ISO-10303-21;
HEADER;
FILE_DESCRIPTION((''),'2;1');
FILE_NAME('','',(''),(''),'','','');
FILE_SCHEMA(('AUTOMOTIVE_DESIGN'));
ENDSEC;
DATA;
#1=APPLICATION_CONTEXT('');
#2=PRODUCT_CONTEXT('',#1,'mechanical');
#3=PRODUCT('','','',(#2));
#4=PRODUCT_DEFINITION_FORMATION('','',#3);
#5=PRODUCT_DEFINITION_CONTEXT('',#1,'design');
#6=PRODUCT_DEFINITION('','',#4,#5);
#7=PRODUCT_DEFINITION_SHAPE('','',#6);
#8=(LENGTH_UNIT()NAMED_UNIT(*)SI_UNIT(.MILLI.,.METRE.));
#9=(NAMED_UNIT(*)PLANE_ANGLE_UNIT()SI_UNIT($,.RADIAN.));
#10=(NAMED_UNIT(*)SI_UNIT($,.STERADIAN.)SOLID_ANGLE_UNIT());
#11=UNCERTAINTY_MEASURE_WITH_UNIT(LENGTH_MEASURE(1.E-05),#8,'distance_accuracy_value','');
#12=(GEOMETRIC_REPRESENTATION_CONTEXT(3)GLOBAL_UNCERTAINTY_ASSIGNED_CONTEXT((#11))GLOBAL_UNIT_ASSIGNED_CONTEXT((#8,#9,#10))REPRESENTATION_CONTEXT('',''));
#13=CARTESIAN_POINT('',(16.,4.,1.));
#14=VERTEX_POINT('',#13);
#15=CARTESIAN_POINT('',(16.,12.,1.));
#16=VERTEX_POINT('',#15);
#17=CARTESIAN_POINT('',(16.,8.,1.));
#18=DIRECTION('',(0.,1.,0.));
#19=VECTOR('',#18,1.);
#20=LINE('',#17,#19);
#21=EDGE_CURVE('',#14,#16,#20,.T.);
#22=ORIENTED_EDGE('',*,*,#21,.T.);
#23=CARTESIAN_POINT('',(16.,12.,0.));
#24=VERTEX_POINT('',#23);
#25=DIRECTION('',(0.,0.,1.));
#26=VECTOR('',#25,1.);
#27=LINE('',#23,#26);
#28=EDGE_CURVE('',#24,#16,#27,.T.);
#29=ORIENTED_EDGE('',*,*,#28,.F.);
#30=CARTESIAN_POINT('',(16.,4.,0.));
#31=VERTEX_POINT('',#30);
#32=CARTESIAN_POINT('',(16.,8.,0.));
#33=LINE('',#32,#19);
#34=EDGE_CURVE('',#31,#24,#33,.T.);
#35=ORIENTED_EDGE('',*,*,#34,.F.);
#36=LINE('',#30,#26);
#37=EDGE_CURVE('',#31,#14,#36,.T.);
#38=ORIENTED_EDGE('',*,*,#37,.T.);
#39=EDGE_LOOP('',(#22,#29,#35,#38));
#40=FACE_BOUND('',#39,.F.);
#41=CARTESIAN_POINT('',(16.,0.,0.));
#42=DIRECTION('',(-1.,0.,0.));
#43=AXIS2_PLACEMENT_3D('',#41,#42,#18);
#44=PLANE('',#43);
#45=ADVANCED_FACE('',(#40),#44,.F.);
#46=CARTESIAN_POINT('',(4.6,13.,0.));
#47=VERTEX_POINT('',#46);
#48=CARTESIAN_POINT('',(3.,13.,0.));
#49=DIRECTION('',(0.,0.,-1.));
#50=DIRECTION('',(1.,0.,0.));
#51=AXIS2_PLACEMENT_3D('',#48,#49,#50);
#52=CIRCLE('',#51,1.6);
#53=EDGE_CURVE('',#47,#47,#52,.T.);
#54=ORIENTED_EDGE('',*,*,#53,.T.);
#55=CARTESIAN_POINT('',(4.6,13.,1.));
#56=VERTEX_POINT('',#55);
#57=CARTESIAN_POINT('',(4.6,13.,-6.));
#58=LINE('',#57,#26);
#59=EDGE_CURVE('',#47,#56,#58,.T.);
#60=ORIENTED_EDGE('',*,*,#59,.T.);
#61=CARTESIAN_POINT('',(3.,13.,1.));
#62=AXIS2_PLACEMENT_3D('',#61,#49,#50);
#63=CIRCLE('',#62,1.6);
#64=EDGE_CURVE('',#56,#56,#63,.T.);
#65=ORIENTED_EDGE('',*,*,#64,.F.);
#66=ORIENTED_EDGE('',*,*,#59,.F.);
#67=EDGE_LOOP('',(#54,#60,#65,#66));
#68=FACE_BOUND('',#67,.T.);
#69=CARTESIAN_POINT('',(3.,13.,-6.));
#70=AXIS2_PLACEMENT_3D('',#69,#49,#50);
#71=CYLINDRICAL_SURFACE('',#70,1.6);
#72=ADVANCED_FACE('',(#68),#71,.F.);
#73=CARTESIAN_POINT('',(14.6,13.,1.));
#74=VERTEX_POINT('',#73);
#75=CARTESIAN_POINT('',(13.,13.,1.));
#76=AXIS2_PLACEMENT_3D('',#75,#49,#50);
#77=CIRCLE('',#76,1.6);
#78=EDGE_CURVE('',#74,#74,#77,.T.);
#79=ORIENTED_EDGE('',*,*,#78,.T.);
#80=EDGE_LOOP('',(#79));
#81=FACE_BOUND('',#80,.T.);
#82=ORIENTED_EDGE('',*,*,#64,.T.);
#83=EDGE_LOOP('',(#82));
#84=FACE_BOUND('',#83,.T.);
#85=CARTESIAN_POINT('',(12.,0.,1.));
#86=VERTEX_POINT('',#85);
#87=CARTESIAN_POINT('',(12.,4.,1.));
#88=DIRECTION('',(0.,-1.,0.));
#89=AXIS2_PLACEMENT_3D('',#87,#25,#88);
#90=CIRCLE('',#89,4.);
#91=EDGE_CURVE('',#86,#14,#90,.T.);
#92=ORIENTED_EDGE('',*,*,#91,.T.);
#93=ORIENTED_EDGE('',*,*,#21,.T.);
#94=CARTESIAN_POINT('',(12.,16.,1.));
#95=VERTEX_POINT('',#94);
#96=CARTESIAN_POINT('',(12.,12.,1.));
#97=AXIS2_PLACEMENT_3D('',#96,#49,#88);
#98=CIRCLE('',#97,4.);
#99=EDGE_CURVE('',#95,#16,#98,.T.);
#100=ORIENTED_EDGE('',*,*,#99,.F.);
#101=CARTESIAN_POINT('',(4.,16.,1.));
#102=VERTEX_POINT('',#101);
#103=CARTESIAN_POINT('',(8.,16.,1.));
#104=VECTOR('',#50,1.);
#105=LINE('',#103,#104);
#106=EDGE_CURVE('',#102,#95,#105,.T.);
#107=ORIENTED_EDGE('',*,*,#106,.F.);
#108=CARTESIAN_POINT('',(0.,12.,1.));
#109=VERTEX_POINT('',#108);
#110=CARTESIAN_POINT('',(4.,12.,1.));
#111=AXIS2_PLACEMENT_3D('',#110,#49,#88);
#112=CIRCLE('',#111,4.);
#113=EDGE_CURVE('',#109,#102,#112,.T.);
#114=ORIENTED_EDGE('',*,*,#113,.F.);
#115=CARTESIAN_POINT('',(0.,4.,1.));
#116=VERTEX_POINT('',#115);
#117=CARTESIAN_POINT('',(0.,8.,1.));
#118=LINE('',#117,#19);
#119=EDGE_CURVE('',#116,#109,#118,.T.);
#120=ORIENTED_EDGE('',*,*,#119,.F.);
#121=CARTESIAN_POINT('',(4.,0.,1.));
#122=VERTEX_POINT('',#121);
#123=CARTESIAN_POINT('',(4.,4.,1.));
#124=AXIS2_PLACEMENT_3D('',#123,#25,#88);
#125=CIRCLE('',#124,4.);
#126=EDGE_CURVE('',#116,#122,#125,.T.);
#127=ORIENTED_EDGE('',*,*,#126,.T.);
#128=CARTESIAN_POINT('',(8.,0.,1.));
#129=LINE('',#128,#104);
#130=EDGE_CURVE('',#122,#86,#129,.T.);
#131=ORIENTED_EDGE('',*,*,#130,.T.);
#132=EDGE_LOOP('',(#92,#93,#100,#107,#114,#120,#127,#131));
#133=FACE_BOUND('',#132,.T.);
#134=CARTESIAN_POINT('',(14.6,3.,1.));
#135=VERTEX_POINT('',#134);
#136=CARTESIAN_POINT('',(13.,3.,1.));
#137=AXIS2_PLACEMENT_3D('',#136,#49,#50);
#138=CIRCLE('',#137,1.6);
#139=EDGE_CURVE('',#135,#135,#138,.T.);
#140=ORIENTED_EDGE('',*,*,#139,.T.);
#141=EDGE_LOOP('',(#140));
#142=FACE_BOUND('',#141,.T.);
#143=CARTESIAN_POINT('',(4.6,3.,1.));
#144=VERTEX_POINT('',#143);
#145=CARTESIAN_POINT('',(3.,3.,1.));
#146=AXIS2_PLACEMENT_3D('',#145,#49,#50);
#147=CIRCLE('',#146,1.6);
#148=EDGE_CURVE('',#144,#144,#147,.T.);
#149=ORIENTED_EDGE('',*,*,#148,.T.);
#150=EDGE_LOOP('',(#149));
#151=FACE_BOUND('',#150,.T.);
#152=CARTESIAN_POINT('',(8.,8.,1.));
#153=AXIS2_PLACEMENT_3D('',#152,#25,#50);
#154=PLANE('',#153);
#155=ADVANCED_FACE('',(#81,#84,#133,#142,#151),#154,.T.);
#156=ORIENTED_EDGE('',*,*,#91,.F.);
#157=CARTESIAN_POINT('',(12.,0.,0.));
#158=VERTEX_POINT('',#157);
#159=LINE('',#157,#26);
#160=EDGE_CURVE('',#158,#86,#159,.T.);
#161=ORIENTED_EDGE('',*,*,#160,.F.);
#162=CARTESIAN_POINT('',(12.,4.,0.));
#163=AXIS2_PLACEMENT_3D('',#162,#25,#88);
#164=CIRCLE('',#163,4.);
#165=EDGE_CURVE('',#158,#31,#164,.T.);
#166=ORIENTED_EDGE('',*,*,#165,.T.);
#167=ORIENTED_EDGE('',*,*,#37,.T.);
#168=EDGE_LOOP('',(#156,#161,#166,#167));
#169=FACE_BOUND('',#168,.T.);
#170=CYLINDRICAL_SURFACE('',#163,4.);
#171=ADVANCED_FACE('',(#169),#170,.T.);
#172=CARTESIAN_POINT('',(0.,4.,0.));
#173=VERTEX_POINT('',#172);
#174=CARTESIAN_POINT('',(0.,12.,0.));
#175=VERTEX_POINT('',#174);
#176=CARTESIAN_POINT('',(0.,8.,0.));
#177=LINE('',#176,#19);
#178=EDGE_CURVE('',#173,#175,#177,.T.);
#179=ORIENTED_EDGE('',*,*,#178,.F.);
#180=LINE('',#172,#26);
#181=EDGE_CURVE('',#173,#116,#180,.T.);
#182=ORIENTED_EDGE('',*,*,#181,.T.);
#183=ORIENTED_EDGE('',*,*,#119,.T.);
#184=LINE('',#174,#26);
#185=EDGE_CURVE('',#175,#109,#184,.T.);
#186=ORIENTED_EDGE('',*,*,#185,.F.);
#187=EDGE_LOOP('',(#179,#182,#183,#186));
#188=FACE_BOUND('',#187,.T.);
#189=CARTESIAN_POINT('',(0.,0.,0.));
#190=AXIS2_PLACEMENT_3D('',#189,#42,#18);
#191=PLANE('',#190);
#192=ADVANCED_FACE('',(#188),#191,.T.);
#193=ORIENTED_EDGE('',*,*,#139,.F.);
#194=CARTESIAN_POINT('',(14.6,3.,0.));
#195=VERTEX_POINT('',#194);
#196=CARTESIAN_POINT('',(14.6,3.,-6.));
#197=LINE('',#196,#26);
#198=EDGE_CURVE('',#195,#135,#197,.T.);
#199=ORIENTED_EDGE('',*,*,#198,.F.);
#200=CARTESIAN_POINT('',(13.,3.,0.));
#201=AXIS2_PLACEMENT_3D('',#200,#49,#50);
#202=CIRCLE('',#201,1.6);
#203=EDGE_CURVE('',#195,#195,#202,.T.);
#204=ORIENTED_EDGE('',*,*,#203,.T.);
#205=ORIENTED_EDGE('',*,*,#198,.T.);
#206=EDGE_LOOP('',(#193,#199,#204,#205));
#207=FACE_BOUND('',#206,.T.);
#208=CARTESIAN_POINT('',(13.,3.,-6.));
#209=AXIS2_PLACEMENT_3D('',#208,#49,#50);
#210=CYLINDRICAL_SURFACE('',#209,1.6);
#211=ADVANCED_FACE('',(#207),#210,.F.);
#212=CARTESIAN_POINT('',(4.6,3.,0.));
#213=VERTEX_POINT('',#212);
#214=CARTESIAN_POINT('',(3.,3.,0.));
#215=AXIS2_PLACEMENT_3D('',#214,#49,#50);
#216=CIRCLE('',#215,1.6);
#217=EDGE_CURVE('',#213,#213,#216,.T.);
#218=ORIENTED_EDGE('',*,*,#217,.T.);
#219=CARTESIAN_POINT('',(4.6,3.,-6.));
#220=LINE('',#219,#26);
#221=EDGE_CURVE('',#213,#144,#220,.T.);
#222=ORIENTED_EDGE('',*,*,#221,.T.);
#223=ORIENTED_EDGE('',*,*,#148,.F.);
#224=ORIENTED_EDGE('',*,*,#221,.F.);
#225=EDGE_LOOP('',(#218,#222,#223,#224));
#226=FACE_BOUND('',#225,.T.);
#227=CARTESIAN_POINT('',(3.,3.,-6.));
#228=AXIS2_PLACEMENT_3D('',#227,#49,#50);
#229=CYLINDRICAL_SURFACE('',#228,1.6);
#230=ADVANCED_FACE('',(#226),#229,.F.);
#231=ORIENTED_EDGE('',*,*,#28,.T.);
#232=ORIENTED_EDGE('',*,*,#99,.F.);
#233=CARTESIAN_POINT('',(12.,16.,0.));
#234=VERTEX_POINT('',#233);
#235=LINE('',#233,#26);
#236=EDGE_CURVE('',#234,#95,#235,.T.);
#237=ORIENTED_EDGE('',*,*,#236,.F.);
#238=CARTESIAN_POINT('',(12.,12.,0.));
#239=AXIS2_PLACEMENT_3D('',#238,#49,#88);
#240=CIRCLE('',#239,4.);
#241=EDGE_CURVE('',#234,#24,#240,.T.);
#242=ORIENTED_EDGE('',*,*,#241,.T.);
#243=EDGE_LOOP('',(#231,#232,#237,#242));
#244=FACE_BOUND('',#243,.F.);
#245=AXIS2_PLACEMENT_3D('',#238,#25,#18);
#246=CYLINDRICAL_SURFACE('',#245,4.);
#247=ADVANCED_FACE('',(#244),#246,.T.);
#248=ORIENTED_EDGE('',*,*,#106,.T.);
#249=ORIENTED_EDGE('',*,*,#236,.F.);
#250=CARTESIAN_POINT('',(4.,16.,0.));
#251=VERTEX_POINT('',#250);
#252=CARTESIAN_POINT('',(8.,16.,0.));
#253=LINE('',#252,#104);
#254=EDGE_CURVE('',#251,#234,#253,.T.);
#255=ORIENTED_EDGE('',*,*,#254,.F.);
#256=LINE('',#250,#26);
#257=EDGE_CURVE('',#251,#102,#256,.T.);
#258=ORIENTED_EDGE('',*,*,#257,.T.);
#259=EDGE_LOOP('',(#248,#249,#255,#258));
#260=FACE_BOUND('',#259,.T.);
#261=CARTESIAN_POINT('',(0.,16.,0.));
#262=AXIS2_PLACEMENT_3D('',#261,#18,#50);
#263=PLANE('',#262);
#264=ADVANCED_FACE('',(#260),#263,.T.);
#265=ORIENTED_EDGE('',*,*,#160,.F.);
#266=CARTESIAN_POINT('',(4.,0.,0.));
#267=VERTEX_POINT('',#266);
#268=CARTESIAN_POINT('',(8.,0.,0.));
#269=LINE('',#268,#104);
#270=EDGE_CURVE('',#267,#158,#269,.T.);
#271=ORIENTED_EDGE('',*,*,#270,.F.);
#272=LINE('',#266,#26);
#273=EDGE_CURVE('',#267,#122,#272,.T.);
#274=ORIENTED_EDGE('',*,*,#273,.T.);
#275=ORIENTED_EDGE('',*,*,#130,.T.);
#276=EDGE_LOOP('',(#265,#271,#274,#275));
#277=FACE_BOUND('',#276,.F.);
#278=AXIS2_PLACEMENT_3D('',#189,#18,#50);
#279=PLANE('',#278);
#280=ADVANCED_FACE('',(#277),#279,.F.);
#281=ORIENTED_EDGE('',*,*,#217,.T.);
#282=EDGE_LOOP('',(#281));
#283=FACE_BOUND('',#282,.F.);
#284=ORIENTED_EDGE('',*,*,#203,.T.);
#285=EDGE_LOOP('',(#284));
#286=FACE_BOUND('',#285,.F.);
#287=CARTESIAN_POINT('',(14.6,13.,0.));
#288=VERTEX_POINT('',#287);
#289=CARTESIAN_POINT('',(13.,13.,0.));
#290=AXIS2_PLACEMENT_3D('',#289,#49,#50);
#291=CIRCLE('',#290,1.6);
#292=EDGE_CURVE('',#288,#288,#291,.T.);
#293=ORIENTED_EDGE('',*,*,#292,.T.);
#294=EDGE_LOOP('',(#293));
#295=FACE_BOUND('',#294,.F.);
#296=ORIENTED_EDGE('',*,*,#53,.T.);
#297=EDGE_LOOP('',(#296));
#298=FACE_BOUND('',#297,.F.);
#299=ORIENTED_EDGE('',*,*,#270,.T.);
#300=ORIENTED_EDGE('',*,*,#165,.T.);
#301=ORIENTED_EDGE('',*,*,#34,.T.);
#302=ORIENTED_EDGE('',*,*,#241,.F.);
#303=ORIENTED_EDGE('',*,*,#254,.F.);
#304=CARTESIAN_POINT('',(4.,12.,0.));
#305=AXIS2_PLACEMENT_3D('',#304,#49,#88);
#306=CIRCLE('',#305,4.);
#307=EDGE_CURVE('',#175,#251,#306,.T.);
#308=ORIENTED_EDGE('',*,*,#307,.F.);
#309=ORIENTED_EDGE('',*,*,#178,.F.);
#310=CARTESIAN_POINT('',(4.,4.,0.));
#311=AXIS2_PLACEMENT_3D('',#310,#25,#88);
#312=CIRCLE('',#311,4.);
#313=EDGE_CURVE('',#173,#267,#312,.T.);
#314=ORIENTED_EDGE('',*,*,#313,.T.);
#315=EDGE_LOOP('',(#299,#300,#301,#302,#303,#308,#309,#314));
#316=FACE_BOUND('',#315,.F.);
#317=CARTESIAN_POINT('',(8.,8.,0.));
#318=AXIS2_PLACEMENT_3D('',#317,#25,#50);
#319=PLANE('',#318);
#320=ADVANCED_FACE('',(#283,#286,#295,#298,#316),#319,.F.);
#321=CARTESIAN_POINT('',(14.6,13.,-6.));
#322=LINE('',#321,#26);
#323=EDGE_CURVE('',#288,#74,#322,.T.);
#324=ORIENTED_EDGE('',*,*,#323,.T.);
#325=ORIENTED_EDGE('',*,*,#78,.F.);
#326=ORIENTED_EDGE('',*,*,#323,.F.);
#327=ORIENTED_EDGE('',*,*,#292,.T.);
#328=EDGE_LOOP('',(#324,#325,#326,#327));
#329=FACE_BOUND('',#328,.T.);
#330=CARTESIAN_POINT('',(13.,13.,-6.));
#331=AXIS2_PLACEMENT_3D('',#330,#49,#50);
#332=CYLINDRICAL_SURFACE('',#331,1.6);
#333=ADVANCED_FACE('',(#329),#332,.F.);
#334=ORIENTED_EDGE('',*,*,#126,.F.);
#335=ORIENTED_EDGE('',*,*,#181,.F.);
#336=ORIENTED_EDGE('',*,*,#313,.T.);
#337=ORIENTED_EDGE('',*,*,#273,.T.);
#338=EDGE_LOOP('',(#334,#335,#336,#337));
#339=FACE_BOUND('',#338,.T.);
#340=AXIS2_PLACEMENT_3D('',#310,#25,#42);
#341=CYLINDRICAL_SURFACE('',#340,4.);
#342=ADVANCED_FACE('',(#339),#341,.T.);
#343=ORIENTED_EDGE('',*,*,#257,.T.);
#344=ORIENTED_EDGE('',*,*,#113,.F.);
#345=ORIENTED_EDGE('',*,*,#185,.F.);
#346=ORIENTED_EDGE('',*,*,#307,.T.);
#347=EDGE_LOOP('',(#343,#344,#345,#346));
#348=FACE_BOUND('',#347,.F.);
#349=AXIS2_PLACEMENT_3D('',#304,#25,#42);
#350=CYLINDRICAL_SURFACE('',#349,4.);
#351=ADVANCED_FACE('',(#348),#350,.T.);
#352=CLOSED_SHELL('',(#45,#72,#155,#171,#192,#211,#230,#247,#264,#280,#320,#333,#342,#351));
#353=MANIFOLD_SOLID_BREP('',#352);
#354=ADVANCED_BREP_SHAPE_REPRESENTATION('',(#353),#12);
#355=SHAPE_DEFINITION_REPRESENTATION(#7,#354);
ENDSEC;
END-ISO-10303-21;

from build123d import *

# Parameters (mm, degrees)
CYLINDER022_R       = 1.6
CYLINDER022_DEPTH   = 20
ARRAY001007_X_COUNT = 2
ARRAY001007_X_PITCH = 10
ARRAY001007_Y_COUNT = 2
ARRAY001007_Y_PITCH = 10
BOX008_W            = 16
BOX008_H            = 16
BOX008_DEPTH        = 1
FILLET003_R         = 4


with BuildPart() as rod_holder_hole_array001:
    # Cylinder022 → Cylinder022 (new body)
    with BuildSketch(Plane(origin=(3, 3, -6), x_dir=(1, 0, 0), z_dir=(0, 0, 1))):
        Circle(CYLINDER022_R)
    extrude(amount=CYLINDER022_DEPTH)

    # Array001007 X: rod holder hole array001 ×2


with BuildPart() as rod_holder_hole_array001_1:
    add(rod_holder_hole_array001.part)
    with Locations(*[(i * ARRAY001007_X_PITCH, 0, 0) for i in range(1, ARRAY001007_X_COUNT)]):
        add(rod_holder_hole_array001.part)

    # Array001007 Y: rod holder hole array001 ×2


with BuildPart() as rod_holder_hole_array001_2:
    add(rod_holder_hole_array001_1.part)
    with Locations(*[(0, i * ARRAY001007_Y_PITCH, 0) for i in range(1, ARRAY001007_Y_COUNT)]):
        add(rod_holder_hole_array001_1.part)


with BuildPart() as rod_cover_fillet:
    # Box008 → Box008 (new body)
    with BuildSketch(Plane.XY):
        with Locations((8, 8)):
            Rectangle(BOX008_W, BOX008_H)
    extrude(amount=BOX008_DEPTH)

    # Cut006: cut rod holder hole array001
    add(rod_holder_hole_array001_2.part, mode=Mode.SUBTRACT)

    # Fillet003
    fillet003_edges = [rod_cover_fillet.edges().sort_by_distance(p)[0] for p in [
        (0, 0, 0.5),
        (0, 16, 0.5),
        (16, 0, 0.5),
        (16, 16, 0.5),
    ]]
    fillet(fillet003_edges, radius=FILLET003_R)


solid = rod_cover_fillet.part
